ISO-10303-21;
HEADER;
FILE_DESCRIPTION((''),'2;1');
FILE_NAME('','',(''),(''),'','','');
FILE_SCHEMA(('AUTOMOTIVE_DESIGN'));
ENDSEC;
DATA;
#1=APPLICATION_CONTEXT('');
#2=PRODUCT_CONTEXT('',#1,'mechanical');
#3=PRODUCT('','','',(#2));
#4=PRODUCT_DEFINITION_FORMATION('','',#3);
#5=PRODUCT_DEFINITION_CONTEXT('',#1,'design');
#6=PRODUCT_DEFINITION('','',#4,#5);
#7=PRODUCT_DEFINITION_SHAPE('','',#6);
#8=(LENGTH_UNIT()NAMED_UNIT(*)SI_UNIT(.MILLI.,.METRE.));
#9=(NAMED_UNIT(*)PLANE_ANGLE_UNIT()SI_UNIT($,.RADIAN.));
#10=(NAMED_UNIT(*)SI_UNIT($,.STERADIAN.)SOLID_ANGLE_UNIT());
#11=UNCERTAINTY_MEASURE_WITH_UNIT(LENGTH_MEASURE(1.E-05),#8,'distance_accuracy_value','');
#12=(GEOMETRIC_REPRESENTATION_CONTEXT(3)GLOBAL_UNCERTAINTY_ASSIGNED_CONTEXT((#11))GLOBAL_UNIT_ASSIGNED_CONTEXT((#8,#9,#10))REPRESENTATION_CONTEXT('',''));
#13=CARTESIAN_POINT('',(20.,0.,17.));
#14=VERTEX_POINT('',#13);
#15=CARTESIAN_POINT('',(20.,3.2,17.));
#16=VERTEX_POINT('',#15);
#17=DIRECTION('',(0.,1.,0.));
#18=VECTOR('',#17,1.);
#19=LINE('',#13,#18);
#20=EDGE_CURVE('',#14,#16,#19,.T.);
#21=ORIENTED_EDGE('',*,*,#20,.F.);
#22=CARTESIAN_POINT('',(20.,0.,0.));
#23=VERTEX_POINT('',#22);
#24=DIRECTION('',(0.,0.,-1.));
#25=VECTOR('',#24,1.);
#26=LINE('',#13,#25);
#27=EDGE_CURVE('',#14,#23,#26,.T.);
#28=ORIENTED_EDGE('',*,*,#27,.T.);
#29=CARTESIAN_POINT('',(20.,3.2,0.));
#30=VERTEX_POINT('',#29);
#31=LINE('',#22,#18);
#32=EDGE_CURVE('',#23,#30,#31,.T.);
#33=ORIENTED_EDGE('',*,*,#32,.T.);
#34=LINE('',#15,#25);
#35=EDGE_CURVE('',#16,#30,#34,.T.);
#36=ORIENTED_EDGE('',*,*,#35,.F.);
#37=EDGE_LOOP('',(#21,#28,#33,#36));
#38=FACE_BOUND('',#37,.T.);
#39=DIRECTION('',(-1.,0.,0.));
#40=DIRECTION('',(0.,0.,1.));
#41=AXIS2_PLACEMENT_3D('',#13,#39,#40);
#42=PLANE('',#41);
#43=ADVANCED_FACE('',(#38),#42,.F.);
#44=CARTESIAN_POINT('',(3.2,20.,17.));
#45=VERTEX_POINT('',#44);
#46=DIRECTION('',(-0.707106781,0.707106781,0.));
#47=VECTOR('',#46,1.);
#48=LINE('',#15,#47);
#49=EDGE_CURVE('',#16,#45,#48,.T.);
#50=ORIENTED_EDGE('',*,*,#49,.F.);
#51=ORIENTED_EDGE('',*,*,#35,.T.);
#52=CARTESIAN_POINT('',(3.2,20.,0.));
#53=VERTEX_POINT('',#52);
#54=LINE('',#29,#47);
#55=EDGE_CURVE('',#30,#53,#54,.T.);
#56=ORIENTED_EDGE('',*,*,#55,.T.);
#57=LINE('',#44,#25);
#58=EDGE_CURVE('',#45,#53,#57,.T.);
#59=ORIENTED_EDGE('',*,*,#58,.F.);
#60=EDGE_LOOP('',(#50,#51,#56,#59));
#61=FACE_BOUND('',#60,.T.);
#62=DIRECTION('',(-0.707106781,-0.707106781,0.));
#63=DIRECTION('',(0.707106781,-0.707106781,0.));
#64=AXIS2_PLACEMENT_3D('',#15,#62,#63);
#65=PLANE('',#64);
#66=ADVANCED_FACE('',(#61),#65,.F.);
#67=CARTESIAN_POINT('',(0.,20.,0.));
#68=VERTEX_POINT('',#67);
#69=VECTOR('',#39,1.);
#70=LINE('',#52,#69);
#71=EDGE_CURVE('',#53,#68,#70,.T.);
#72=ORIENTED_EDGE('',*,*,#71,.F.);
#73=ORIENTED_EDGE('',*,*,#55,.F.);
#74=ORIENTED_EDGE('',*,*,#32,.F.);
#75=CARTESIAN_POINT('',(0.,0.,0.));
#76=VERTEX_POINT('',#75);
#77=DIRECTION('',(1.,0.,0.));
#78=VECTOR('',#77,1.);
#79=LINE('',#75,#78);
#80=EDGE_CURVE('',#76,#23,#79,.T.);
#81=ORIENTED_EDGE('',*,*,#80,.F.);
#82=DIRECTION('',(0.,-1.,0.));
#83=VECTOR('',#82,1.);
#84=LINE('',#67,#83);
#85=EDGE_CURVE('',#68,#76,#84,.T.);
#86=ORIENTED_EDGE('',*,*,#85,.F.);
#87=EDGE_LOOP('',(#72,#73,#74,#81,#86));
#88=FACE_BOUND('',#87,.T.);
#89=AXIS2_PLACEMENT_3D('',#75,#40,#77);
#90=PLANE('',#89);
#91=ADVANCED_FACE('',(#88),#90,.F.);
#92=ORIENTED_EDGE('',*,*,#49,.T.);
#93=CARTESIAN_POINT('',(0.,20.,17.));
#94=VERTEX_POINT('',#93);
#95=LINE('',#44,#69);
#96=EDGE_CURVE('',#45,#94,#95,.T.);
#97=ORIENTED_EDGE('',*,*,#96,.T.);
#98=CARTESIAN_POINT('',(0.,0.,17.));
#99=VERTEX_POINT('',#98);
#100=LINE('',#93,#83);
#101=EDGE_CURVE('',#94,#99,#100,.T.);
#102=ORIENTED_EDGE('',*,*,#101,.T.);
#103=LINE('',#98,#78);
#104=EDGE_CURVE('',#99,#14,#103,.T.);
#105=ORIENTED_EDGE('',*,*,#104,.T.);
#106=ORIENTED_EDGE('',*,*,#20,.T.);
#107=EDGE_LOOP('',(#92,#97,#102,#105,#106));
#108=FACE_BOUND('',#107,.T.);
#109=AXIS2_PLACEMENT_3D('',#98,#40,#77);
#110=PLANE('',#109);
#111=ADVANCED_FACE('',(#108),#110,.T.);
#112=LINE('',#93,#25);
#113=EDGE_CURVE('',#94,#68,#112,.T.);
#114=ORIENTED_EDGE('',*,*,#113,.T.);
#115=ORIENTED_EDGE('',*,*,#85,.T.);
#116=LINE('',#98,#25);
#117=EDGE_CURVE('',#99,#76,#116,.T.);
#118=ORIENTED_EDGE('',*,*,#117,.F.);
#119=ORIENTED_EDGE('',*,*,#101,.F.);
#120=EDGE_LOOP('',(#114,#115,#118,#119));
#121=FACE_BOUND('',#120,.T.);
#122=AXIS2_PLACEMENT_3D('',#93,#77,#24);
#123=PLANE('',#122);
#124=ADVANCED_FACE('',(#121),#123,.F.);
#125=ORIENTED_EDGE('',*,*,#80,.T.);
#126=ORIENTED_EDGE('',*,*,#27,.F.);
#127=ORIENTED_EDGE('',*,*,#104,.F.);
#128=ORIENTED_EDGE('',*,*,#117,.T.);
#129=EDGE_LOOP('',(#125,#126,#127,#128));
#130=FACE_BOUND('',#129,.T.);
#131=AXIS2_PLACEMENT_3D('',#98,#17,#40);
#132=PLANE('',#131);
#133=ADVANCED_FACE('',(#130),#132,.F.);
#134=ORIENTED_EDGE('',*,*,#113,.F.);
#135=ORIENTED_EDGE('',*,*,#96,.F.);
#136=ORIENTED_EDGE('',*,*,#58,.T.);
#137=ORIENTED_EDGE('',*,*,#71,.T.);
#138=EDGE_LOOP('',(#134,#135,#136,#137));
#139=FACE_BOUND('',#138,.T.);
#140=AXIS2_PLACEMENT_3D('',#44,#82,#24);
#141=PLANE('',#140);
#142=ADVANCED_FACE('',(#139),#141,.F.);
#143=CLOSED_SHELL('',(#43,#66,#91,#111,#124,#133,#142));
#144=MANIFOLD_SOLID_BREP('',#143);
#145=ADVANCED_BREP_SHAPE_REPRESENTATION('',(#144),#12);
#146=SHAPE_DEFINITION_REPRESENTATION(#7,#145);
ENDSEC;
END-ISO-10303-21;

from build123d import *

# Parameters (mm, degrees)
EXTRUDE_1_DEPTH = 17


with BuildPart() as part:
    # 草圖1 → 填料-伸長1 (new body)
    with BuildSketch(Plane.XY):
        Polygon((0, 20), (0, 0), (20, 0), (20, 3.2), (3.2, 20), align=None)
    extrude(amount=EXTRUDE_1_DEPTH)


solid = part.part
